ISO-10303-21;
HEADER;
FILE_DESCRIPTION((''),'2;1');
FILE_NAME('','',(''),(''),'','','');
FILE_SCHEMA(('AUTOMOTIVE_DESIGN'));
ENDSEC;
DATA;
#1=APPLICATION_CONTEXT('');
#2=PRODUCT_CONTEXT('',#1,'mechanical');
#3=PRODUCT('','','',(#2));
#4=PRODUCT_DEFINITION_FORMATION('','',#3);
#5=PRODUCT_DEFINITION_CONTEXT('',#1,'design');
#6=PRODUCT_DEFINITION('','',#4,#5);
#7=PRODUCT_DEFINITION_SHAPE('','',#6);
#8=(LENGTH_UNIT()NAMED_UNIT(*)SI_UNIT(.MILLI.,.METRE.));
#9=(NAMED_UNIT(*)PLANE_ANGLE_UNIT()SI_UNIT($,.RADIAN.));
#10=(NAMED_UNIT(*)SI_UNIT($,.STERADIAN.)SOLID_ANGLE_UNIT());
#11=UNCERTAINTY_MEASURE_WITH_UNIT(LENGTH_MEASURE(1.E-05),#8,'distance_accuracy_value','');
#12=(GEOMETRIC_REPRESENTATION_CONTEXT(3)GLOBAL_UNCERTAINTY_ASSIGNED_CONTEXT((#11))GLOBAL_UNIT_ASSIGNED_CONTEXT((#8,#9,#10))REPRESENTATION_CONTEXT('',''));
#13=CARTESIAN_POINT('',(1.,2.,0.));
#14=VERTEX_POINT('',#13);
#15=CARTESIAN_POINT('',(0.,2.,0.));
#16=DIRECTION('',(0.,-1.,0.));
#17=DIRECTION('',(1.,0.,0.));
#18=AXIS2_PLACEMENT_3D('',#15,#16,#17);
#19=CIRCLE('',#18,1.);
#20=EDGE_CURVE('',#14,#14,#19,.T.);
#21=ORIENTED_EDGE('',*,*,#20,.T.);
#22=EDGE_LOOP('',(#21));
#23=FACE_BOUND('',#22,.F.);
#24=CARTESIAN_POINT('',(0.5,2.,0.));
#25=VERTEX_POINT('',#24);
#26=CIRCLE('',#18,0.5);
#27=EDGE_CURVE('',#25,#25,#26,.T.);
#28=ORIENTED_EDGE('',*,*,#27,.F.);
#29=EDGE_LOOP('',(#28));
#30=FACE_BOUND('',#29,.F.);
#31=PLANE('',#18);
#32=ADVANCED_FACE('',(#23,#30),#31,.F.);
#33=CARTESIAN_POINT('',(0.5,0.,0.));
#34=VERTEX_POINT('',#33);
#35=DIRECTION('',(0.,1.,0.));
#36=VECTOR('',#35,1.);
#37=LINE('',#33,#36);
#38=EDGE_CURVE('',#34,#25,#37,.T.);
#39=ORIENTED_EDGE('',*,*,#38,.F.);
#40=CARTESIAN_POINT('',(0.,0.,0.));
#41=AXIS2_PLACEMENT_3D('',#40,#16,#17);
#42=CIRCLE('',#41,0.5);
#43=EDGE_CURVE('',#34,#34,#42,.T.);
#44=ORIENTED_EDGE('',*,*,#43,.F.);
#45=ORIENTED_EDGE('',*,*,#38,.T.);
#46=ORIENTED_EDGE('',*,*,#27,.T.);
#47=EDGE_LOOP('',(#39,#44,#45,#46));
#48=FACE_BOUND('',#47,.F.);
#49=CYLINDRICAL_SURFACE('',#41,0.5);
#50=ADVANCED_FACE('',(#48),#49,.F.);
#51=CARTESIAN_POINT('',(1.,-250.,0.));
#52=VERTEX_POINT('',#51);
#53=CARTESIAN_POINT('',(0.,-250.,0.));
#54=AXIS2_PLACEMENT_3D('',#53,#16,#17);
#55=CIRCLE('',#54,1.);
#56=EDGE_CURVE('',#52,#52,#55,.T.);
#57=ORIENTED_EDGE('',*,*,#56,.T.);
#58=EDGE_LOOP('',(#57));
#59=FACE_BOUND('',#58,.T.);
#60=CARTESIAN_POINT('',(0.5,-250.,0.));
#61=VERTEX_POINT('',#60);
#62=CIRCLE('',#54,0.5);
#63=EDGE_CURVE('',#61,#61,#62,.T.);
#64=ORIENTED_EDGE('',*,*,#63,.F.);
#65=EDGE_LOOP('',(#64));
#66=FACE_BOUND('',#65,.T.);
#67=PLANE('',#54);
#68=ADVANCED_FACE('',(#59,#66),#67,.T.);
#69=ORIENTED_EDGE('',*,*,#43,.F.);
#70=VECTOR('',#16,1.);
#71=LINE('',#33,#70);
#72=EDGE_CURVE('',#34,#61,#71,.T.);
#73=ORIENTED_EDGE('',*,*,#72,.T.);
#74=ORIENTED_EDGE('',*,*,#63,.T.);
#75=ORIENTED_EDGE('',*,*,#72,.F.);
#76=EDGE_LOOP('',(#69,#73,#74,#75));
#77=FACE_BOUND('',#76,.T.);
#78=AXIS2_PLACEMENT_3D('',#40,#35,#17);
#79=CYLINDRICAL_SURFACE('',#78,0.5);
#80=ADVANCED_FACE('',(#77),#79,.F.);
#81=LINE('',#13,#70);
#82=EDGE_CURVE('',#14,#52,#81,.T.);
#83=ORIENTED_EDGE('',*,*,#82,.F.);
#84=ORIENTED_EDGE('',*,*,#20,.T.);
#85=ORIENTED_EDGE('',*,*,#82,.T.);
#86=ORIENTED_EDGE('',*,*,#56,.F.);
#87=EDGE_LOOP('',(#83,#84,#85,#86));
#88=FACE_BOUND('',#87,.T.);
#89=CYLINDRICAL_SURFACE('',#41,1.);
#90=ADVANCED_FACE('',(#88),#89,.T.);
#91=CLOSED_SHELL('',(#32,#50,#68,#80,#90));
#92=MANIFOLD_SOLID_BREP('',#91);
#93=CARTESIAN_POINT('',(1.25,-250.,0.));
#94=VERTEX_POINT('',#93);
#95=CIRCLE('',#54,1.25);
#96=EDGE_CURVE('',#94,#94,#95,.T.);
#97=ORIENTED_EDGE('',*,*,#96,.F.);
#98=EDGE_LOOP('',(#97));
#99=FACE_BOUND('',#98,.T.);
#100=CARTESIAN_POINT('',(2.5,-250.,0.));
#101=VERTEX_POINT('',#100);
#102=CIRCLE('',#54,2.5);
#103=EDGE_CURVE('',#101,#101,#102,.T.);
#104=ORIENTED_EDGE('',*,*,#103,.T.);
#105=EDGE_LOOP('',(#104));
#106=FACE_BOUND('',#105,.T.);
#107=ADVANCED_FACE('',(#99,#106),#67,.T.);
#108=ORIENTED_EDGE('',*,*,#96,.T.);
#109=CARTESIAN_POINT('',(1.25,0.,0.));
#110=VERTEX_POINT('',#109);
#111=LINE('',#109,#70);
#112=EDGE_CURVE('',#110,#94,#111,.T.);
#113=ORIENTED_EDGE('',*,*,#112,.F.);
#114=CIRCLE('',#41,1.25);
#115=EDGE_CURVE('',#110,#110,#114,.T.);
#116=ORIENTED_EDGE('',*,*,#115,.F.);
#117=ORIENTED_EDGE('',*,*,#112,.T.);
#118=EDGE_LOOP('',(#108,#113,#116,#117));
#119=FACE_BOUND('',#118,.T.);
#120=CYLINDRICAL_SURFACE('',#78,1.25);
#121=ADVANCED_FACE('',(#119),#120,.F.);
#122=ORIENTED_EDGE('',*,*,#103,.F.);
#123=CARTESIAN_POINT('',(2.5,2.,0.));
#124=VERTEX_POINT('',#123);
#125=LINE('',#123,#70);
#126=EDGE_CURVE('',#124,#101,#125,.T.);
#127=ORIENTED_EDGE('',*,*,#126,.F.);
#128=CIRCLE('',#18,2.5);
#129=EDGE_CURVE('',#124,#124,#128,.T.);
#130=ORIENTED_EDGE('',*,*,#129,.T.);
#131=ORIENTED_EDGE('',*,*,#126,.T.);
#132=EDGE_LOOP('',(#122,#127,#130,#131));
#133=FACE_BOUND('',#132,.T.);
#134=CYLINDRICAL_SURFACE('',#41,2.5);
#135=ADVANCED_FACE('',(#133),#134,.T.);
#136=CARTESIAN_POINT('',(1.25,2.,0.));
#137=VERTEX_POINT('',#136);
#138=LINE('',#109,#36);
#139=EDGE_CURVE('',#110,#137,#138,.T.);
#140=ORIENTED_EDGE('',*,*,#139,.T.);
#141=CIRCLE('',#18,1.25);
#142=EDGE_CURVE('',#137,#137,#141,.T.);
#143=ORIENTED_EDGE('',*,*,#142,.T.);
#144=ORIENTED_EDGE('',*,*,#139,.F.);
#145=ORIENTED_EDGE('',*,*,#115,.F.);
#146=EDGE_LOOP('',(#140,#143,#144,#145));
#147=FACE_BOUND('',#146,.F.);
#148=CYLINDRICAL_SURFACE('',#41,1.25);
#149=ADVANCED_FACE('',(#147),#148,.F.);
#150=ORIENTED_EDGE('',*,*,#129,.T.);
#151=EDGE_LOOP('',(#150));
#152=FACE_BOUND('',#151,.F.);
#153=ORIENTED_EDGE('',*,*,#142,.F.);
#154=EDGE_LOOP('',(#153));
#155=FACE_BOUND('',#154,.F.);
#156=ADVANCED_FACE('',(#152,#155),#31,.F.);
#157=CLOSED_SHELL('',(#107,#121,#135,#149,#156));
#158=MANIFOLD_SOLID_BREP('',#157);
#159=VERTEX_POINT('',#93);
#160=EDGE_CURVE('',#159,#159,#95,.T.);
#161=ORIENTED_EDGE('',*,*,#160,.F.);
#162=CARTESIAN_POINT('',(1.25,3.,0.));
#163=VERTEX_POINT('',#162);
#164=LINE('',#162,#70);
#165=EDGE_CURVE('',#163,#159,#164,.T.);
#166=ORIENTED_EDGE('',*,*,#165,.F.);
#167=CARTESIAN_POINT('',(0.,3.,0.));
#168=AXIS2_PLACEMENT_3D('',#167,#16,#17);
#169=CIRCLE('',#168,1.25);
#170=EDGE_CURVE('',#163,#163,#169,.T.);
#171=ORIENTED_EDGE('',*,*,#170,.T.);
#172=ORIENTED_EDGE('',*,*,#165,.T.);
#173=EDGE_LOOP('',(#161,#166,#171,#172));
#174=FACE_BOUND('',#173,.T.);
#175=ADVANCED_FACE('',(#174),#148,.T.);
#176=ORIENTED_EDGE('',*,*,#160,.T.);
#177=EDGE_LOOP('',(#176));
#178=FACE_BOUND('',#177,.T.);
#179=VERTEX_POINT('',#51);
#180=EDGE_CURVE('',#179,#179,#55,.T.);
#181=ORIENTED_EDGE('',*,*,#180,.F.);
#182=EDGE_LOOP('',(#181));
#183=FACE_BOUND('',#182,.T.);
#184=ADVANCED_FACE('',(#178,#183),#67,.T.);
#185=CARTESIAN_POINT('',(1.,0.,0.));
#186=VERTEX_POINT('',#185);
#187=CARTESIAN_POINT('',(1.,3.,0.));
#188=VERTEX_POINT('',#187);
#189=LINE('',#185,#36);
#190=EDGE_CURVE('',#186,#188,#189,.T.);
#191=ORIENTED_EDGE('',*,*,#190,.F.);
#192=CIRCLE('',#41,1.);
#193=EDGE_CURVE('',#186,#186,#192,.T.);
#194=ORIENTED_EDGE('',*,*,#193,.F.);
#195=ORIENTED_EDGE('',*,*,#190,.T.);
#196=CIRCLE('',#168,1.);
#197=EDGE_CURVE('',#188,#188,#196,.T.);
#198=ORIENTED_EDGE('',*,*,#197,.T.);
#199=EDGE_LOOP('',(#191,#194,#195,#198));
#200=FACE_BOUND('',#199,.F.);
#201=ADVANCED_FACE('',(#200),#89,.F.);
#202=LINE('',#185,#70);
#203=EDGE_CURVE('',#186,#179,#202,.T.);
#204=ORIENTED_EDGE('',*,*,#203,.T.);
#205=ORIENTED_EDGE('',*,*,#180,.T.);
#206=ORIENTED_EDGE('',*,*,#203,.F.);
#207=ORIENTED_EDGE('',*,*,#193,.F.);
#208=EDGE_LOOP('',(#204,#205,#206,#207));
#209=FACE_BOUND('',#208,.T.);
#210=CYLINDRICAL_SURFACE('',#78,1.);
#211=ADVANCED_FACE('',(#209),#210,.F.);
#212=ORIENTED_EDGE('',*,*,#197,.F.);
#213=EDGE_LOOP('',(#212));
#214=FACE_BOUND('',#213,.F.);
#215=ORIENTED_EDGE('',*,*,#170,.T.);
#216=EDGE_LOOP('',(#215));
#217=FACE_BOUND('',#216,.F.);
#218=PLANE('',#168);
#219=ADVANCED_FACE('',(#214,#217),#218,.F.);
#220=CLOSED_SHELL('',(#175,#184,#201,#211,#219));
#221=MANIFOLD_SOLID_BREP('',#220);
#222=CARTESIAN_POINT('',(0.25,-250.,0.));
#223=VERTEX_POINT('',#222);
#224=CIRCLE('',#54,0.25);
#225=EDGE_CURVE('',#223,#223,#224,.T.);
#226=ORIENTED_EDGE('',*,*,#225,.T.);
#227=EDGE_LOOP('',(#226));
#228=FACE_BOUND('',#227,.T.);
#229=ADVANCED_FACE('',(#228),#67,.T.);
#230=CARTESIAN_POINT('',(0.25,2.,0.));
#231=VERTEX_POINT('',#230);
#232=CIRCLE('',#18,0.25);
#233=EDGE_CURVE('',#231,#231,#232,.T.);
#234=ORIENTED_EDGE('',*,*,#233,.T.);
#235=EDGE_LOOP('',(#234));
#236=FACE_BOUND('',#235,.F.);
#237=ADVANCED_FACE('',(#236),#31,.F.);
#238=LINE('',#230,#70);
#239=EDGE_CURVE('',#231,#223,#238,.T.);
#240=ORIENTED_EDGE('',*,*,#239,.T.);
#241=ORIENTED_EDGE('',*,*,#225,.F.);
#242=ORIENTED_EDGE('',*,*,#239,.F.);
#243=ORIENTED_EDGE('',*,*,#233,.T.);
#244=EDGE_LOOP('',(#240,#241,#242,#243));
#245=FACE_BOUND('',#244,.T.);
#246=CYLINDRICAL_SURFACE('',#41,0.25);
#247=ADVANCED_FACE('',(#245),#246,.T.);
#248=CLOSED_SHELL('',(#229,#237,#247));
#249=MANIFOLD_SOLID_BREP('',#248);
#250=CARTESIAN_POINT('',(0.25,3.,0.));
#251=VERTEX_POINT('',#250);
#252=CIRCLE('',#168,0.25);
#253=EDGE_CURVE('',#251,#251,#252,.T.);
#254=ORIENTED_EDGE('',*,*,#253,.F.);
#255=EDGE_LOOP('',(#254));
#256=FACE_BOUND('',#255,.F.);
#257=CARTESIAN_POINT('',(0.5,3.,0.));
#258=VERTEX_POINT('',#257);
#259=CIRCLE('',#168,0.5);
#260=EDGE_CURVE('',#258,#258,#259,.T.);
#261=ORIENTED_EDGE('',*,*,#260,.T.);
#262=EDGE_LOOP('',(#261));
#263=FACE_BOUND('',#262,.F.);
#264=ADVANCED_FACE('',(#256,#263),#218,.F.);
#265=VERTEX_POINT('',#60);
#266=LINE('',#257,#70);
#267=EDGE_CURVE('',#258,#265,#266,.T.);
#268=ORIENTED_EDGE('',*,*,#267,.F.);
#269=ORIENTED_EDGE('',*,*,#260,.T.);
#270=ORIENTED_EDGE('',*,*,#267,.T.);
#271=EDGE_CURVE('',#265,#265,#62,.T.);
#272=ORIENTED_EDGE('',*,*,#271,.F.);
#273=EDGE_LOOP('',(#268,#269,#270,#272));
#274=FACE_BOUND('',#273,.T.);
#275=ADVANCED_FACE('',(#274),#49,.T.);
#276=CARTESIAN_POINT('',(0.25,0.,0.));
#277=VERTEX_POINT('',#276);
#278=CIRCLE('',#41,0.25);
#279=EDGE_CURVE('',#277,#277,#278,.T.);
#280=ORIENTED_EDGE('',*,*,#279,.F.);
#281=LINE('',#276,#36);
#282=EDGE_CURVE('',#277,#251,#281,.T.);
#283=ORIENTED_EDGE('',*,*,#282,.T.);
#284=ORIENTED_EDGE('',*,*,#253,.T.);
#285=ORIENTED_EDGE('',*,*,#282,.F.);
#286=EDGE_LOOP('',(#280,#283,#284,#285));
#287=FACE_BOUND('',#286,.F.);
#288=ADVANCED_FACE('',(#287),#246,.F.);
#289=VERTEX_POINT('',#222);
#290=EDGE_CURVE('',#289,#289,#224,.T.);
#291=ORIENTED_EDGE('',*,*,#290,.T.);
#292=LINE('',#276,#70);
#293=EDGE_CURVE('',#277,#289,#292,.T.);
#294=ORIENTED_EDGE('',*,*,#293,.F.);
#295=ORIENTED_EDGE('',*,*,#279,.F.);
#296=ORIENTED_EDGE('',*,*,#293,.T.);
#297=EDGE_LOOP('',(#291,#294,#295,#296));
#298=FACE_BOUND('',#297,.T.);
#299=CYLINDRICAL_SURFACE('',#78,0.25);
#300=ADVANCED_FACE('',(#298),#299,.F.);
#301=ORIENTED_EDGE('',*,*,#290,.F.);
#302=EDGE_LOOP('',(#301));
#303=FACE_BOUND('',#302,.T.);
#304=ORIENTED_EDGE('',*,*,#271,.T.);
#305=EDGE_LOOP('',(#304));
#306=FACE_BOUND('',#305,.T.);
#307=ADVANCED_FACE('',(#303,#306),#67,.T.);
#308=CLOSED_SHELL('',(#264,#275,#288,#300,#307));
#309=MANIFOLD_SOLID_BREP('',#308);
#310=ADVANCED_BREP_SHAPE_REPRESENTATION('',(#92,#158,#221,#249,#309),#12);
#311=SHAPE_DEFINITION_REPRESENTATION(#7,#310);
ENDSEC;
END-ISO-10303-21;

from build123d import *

# Parameters (mm, degrees)
F0_R          = 2.5
F0_R_2        = 1.25
F0_R_3        = 1
F0_R_4        = 0.5
F0_R_5        = 0.25
F1_DEPTH      = 250
F1_DEPTH_BACK = 2
F2_DEPTH      = 250
F2_DEPTH_BACK = 3


with BuildPart() as f1:
    # F0 (on Front) → F1 (new body, two sides)
    with BuildSketch(Plane.XZ) as f1_sk:
        Circle(F0_R)
        Circle(F0_R_2, mode=Mode.SUBTRACT)
        Circle(F0_R_3)
        Circle(F0_R_4, mode=Mode.SUBTRACT)
        Circle(F0_R_5)
    extrude(amount=F1_DEPTH)
    extrude(f1_sk.sketch, amount=-F1_DEPTH_BACK)


with BuildPart() as f2:
    # F0 (on Front) → F2 (new body, two sides)
    with BuildSketch(Plane.XZ) as f2_sk:
        Circle(F0_R_2)
        Circle(F0_R_3, mode=Mode.SUBTRACT)
        Circle(F0_R_4)
        Circle(F0_R_5, mode=Mode.SUBTRACT)
    extrude(amount=F2_DEPTH)
    extrude(f2_sk.sketch, amount=-F2_DEPTH_BACK)


solid = Compound([f1.part, f2.part])
